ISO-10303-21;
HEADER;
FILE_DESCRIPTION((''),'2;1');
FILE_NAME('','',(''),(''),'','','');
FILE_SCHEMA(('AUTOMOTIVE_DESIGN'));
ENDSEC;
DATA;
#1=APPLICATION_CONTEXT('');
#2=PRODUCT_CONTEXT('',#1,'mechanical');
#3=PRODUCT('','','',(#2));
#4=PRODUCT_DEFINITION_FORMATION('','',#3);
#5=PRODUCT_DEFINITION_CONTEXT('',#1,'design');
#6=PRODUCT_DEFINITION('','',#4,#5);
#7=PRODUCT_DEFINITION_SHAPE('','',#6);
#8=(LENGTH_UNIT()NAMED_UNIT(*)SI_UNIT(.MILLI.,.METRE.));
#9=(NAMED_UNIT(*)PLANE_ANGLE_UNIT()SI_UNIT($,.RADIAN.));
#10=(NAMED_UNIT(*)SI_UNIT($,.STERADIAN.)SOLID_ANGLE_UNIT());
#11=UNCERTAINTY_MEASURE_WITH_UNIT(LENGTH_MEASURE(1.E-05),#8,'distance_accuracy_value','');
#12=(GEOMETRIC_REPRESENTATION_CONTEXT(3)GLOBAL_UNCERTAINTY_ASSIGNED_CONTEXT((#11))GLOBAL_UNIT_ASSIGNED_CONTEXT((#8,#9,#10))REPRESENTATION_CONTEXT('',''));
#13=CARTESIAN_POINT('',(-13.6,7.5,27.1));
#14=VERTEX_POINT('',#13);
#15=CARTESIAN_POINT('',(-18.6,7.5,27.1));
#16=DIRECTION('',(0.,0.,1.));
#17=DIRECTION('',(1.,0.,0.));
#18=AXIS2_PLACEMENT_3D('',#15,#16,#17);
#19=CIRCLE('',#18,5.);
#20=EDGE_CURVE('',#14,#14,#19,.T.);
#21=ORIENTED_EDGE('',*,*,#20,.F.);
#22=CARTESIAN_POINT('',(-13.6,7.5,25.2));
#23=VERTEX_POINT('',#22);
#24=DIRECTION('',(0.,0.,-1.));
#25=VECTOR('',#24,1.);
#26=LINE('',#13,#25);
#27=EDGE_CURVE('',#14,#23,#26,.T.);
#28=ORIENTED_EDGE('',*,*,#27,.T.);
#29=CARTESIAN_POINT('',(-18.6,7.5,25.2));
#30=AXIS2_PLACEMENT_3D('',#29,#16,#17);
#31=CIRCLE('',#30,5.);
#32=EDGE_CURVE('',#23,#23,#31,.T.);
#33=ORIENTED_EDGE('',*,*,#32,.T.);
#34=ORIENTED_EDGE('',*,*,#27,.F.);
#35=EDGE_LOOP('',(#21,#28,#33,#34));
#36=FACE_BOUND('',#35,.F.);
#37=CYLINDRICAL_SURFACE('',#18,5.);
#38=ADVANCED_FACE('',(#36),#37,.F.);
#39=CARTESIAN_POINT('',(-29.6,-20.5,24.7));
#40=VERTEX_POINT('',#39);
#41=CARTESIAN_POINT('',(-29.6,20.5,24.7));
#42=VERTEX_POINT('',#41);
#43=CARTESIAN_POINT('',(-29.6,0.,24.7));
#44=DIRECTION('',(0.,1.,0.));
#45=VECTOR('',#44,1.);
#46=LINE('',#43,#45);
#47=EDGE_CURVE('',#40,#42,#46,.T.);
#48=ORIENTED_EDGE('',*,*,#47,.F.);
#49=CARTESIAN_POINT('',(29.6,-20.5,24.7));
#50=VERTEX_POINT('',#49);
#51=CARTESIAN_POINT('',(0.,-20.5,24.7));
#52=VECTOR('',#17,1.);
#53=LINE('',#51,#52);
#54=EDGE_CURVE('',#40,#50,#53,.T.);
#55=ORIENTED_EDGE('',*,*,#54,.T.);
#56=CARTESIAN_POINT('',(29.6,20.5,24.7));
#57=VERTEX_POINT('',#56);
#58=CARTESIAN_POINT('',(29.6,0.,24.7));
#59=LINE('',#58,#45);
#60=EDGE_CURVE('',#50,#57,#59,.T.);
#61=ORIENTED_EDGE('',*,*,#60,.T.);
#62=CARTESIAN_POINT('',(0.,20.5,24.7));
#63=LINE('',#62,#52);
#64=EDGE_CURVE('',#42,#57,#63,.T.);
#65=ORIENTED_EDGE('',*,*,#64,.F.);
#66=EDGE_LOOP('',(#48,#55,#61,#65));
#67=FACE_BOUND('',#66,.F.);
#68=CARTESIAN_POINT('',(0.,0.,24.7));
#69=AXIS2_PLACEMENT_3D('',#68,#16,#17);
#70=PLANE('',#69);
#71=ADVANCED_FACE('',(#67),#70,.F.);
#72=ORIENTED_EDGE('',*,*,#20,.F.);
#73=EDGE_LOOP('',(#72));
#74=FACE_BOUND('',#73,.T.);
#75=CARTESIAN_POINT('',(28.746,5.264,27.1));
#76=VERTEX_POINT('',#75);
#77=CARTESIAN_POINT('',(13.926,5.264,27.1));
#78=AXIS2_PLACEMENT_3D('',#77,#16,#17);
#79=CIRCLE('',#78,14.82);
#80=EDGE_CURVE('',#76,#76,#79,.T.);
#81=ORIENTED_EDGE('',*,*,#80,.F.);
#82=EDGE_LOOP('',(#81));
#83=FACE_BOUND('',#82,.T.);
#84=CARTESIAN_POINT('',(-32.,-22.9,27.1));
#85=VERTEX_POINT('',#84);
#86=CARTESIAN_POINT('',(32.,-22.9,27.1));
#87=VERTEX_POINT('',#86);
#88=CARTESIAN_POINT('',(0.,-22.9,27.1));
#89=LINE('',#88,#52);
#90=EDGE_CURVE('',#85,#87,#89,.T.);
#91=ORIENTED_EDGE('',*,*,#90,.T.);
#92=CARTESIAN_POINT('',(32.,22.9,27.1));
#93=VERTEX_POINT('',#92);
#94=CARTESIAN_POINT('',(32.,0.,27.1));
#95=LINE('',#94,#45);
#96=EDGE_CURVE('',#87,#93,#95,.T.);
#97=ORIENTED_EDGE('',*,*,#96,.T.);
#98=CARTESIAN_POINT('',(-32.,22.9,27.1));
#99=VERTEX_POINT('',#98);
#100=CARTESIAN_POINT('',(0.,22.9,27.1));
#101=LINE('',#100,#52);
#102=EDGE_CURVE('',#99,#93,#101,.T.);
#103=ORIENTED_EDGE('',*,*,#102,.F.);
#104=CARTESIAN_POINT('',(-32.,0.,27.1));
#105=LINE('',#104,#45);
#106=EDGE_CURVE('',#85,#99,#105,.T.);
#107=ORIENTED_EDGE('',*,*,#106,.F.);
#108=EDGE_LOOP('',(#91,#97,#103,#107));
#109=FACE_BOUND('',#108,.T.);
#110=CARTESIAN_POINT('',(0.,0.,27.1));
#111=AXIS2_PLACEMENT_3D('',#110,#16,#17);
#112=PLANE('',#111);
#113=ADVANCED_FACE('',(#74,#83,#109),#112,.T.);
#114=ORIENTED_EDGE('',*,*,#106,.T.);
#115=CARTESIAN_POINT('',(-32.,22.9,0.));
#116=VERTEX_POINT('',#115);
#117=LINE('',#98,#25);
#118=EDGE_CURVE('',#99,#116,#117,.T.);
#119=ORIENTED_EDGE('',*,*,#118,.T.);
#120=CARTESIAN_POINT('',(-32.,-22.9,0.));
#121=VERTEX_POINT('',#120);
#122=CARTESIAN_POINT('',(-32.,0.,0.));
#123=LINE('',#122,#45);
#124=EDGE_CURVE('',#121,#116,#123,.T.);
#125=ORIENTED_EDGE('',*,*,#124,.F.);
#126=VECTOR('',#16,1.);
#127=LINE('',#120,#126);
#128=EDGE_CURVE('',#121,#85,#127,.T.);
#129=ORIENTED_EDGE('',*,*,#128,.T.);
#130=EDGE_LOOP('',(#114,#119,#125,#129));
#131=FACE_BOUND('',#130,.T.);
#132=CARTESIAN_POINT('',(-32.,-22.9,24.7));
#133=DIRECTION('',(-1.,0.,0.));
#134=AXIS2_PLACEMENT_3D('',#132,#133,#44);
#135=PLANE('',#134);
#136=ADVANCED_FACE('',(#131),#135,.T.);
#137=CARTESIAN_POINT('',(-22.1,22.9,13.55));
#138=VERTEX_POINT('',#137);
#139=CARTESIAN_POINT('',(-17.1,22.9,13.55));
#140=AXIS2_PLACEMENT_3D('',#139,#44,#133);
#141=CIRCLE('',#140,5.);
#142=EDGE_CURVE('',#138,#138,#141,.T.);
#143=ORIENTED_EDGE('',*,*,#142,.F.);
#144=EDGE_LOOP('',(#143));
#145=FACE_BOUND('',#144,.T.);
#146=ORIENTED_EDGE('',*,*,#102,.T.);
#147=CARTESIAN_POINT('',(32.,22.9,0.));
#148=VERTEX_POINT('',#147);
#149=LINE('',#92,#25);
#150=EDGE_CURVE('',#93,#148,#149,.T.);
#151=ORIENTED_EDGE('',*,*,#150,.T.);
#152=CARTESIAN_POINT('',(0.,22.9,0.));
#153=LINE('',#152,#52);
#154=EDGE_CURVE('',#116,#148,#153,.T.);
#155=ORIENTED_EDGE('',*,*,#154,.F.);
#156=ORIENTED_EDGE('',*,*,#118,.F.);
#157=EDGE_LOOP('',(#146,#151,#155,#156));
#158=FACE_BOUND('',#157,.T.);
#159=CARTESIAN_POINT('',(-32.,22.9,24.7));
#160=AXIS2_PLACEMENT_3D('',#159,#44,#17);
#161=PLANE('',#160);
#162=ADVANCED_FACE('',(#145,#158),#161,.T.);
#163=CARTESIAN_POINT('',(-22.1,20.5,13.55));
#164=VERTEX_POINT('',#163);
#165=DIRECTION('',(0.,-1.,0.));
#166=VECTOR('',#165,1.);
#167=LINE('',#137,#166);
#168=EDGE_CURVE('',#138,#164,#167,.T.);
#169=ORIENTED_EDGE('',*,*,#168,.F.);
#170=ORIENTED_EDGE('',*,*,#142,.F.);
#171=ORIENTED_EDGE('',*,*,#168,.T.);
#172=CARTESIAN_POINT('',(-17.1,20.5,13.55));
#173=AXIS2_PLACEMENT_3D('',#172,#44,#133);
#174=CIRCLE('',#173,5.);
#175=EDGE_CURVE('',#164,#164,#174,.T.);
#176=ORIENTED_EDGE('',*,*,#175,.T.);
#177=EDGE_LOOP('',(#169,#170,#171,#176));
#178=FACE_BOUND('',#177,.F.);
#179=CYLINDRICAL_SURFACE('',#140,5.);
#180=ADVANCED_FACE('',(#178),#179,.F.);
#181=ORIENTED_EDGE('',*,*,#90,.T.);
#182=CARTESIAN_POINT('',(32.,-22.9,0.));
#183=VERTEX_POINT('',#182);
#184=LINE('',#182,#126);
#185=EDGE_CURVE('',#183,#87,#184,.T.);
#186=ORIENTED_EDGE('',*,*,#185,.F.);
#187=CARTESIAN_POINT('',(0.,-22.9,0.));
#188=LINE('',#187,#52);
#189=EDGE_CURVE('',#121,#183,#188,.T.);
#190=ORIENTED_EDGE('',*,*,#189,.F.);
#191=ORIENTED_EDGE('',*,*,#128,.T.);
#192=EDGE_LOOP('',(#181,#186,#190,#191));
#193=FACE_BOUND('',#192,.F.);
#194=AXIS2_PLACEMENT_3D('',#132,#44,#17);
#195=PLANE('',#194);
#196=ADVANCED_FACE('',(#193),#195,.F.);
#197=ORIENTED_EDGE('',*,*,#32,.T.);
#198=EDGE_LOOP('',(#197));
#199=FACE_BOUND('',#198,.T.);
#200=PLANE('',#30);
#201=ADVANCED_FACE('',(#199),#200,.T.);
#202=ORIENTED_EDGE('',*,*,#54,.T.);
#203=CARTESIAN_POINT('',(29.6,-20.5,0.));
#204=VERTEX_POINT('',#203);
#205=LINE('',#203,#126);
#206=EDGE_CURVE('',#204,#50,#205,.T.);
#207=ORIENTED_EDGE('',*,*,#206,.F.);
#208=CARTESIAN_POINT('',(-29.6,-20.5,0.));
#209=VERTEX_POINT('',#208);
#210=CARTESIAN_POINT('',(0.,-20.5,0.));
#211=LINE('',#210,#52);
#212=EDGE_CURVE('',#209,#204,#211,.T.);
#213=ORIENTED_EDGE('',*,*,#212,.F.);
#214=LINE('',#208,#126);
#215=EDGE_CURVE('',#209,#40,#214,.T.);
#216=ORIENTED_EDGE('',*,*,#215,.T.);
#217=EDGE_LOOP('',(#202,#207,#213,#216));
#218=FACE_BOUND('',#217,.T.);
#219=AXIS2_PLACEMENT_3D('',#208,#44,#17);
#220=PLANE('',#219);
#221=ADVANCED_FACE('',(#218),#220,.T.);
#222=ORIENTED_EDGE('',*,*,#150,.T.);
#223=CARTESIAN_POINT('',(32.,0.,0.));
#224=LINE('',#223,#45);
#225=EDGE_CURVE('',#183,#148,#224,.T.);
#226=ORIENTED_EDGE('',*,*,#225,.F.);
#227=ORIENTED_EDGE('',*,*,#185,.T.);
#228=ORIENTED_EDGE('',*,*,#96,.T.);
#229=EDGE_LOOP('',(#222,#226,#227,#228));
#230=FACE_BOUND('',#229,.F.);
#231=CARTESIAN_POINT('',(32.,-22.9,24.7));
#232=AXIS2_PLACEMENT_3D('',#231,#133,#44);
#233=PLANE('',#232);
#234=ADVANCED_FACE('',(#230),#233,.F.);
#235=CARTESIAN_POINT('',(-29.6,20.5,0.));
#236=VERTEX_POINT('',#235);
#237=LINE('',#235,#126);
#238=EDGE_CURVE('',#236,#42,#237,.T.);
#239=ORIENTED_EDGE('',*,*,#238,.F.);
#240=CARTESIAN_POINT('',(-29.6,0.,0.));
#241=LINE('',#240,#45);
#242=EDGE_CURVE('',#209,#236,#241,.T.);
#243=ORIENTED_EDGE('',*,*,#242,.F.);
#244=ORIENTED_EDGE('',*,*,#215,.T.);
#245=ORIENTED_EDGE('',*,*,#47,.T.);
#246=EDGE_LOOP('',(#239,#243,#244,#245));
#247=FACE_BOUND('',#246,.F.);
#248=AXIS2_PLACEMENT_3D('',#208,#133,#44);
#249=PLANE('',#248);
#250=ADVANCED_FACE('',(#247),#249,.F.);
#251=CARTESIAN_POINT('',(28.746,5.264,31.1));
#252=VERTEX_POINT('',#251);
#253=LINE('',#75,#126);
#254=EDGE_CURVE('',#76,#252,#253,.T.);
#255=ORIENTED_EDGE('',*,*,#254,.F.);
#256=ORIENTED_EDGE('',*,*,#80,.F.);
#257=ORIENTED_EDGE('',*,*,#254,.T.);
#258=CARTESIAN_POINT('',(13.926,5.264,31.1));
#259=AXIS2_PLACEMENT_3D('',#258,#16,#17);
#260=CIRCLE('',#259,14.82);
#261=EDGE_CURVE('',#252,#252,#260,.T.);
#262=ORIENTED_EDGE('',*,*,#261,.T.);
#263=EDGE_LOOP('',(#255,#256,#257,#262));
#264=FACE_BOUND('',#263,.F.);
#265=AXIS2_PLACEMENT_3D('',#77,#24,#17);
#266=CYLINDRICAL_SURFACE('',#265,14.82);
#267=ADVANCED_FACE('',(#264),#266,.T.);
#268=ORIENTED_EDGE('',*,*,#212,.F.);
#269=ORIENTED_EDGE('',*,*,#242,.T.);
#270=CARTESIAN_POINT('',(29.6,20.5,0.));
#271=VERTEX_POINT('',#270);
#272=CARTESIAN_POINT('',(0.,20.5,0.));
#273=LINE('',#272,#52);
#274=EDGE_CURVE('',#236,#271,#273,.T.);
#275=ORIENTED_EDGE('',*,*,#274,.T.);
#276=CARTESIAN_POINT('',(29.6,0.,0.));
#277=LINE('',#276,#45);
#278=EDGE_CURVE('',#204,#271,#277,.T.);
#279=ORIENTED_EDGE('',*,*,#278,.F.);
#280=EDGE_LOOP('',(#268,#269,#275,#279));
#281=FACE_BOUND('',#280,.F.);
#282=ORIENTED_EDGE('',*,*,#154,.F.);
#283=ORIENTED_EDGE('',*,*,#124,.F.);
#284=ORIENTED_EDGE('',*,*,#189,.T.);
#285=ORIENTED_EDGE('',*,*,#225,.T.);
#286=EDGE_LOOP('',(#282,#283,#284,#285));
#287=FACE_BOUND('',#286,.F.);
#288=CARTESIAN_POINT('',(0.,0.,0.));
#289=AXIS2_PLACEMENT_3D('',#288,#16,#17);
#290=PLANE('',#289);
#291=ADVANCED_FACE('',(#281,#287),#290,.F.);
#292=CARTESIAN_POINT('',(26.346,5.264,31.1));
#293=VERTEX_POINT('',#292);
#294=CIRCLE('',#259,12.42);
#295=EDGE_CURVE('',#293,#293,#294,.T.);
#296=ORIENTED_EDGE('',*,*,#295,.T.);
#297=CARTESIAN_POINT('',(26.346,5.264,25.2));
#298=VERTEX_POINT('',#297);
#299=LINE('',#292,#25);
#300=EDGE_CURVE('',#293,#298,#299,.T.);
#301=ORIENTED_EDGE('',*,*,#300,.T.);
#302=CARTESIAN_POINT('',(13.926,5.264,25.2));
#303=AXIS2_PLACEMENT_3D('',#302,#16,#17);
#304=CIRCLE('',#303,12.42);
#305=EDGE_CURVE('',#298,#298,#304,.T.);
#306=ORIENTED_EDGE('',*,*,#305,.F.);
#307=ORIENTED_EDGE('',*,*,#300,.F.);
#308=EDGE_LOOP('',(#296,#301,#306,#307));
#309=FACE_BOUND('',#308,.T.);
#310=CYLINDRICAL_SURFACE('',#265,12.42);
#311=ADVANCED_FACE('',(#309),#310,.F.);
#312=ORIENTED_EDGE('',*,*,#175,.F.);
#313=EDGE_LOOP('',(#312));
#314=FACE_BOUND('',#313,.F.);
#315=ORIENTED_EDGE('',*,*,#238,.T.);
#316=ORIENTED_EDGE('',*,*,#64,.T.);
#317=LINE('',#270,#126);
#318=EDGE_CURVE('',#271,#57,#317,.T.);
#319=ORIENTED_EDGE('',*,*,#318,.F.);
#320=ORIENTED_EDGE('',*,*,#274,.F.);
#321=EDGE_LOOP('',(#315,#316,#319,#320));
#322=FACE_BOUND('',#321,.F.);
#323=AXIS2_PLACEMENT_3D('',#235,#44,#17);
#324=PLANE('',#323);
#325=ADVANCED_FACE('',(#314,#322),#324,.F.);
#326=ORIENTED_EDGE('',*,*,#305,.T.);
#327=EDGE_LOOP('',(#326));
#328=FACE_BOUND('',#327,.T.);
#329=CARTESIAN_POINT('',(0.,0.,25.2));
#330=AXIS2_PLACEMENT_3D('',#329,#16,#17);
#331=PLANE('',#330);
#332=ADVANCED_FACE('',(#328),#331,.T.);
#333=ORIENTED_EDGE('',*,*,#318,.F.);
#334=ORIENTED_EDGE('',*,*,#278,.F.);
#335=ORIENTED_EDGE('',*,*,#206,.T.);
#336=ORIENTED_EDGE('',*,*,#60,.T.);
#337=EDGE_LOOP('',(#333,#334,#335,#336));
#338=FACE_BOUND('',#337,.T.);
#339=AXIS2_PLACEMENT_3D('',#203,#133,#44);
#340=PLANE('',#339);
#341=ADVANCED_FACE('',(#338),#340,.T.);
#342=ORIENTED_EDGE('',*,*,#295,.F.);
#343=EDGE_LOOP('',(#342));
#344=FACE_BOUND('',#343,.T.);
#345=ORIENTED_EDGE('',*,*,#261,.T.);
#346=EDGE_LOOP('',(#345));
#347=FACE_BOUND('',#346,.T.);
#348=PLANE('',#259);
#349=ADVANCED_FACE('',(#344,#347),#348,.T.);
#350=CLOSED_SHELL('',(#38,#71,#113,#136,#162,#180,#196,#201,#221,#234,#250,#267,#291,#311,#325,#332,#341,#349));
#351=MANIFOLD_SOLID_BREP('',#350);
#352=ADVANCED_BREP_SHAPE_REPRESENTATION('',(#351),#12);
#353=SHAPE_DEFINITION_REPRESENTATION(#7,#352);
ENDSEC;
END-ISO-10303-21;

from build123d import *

# Parameters (mm, degrees)
F4_W      = 64
F4_H      = 45.8
F4_W_2    = 59.2
F4_H_2    = 41
F5_DEPTH  = 24.7
F6_W      = 64
F6_H      = 45.8
F6_W_2    = 59.2
F6_H_2    = 41
F7_DEPTH  = 2.4
F8_R      = 5
F9_DEPTH  = 1.9
F10_R     = 14.82
F10_R_2   = 12.42
F11_DEPTH = 4
F12_DEPTH = 1.9
F13_R     = 5
F14_DEPTH = 2.4


with BuildPart() as f5:
    # F4 (on Top) → F5 (new body)
    with BuildSketch(Plane.XY):
        Rectangle(F4_W, F4_H)
        Rectangle(F4_W_2, F4_H_2, mode=Mode.SUBTRACT)
    extrude(amount=F5_DEPTH)

    # F6 (on face) → F7 (join)
    with BuildSketch(Plane.XY.offset(24.7)):
        Rectangle(F6_W, F6_H)
        Rectangle(F6_W_2, F6_H_2, mode=Mode.SUBTRACT)
        Rectangle(F6_W_2, F6_H_2)
    extrude(amount=F7_DEPTH)

    # F8 (on face) → F9 (cut)
    with BuildSketch(Plane.XY.offset(27.1)):
        with Locations((-18.6, 7.5)):
            Circle(F8_R)
    extrude(amount=-F9_DEPTH, mode=Mode.SUBTRACT)

    # F10 (on face) → F11 (join)
    with BuildSketch(Plane.XY.offset(27.1)):
        with Locations((13.926, 5.264)):
            Circle(F10_R)
        with Locations((13.926, 5.264)):
            Circle(F10_R_2, mode=Mode.SUBTRACT)
    extrude(amount=F11_DEPTH)

    # F12 (cut): a face of the model
    f12_faces = [f5.faces().sort_by_distance(p)[0] for p in [
        (13.926, 5.264, 27.1),
    ]]
    extrude(f12_faces, amount=-F12_DEPTH, mode=Mode.SUBTRACT)

    # F13 (on face) → F14 (cut)
    with BuildSketch(Plane(origin=(0, 22.9, 0), x_dir=(-1, 0, 0), z_dir=(0, 1, 0))):
        with Locations((17.1, 13.55)):
            Circle(F13_R)
    extrude(amount=-F14_DEPTH, mode=Mode.SUBTRACT)


solid = f5.part
